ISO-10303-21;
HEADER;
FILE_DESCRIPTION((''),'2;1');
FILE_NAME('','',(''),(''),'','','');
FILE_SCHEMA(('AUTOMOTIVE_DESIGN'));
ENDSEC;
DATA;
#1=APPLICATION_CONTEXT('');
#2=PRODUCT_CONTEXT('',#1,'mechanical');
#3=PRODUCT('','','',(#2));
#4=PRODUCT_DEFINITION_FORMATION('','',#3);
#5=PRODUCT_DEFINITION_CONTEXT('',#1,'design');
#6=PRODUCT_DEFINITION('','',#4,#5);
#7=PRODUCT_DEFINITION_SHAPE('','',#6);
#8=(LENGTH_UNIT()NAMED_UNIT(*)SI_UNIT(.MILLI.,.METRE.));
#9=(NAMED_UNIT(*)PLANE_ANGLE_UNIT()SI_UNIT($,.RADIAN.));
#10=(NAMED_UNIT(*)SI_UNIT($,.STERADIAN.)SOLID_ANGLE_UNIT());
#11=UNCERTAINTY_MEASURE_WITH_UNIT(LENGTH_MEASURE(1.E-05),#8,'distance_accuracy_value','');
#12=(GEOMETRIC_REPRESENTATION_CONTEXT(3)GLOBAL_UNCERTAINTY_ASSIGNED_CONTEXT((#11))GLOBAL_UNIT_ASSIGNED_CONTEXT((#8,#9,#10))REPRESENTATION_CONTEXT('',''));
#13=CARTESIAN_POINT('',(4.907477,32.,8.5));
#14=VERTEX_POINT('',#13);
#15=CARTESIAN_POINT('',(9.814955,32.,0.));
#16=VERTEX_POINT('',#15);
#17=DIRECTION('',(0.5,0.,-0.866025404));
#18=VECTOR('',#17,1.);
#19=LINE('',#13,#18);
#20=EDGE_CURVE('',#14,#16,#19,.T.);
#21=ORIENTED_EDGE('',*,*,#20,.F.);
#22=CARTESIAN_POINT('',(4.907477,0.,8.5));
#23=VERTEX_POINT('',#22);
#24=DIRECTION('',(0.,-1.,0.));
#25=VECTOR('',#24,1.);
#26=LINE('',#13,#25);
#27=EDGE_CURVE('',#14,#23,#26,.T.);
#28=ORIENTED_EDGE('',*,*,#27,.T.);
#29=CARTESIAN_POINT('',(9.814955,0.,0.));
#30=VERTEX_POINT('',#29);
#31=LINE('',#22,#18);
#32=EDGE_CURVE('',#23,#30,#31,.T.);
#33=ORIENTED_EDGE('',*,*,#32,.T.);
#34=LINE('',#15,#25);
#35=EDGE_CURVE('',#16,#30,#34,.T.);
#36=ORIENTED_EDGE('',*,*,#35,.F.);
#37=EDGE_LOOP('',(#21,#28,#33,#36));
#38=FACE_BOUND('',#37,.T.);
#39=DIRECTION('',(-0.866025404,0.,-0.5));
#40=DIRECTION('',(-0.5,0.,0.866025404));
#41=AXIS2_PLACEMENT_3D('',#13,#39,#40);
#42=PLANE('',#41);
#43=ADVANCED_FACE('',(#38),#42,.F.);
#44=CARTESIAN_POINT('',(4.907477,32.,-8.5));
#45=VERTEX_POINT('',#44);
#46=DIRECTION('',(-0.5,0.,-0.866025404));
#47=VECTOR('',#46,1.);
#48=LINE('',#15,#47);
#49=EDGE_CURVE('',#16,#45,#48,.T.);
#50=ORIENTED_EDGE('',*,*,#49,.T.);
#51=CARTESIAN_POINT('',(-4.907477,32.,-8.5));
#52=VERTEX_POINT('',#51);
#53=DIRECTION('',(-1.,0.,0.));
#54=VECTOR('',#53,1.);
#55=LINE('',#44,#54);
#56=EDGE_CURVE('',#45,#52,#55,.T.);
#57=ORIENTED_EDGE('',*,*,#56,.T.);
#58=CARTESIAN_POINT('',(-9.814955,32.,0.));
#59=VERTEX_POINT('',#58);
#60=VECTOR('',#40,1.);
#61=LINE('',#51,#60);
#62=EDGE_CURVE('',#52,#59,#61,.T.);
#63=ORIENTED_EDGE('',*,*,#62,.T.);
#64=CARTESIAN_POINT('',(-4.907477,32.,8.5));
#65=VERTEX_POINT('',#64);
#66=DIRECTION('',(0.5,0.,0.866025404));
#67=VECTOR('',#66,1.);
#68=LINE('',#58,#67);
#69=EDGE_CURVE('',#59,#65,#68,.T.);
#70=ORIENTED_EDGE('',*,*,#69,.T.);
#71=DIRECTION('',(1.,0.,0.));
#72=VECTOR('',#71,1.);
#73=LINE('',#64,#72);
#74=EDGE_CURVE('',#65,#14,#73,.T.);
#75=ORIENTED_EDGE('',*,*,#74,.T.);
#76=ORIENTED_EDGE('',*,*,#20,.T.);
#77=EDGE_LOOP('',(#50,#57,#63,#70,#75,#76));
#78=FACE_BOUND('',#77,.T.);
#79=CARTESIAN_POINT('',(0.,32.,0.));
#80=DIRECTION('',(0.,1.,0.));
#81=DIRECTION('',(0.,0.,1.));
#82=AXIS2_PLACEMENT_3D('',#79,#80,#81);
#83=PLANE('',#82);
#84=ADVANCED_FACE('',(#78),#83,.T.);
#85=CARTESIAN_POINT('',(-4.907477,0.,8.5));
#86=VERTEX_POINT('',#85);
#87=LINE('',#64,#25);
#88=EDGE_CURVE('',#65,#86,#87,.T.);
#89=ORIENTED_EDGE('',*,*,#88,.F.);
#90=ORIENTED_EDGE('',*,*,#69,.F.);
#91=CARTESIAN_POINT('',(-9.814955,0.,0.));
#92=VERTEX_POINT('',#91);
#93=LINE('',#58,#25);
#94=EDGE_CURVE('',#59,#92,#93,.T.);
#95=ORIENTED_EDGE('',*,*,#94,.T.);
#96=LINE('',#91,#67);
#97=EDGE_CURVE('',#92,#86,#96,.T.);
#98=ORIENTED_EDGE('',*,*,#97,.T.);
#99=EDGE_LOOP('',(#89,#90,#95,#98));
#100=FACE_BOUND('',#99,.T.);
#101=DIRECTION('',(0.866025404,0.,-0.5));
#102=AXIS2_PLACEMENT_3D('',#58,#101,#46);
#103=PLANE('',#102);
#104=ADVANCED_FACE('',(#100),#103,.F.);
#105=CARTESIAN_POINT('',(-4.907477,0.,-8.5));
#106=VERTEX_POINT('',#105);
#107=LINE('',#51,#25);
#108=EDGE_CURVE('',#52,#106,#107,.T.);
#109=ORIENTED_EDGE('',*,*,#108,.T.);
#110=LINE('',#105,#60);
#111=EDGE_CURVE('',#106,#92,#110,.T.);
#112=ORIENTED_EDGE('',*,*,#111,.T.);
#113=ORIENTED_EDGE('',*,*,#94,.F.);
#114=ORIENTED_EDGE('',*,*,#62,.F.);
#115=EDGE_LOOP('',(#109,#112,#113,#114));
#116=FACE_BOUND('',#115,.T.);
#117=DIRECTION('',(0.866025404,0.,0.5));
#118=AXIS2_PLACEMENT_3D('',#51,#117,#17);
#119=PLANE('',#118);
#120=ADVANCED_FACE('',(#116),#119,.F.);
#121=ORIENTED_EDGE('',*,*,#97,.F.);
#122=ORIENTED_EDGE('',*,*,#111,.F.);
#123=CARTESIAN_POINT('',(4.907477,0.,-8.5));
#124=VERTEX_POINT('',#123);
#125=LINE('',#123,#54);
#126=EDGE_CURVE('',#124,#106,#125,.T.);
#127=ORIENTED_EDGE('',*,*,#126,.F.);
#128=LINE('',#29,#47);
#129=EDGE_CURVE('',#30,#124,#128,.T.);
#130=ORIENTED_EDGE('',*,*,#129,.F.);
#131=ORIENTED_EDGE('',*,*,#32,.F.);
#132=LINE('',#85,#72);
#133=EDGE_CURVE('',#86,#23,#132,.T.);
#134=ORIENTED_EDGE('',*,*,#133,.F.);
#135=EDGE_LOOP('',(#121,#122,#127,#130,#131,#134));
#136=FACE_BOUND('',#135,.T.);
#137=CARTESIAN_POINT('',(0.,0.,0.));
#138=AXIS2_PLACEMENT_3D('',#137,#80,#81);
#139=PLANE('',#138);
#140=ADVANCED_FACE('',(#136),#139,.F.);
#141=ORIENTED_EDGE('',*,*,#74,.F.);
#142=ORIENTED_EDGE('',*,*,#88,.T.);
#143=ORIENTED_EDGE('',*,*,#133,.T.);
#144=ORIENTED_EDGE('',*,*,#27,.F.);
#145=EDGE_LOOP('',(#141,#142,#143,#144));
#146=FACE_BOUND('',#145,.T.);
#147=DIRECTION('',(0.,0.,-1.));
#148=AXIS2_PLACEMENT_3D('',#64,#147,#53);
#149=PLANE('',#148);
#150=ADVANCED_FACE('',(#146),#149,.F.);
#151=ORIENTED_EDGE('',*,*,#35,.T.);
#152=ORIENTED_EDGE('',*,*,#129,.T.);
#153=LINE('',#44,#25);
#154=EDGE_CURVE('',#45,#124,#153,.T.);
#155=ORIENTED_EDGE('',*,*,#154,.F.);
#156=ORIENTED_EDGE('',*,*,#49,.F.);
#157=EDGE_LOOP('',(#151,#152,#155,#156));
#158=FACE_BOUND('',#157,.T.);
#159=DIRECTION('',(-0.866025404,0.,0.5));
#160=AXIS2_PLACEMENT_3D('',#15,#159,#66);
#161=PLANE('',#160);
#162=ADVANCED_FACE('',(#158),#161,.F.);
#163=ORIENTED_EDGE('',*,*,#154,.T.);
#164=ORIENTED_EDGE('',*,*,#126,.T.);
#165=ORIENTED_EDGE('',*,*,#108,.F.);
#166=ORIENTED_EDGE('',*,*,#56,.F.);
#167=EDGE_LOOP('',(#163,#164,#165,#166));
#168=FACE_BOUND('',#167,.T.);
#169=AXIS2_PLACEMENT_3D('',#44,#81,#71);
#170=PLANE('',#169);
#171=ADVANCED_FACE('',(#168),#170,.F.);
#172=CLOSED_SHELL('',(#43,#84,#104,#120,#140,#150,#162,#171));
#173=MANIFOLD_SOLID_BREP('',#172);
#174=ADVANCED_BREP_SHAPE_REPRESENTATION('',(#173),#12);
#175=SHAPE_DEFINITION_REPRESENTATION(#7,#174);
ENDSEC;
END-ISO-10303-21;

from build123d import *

# Parameters (mm, degrees)
BOSS_EXTRUDE1_DEPTH = 32


with BuildPart() as part:
    # Sketch1 → Boss-Extrude1 (new body)
    with BuildSketch(Plane(origin=(0, 0, 0), x_dir=(1, 0, 0), z_dir=(0, 1, 0))):
        Polygon((4.907477288, -8.5), (9.814954576, 0), (4.907477288, 8.5), (-4.907477288, 8.5), (-9.814954576, 0), (-4.907477288, -8.5), align=None)
    extrude(amount=BOSS_EXTRUDE1_DEPTH)


solid = part.part
